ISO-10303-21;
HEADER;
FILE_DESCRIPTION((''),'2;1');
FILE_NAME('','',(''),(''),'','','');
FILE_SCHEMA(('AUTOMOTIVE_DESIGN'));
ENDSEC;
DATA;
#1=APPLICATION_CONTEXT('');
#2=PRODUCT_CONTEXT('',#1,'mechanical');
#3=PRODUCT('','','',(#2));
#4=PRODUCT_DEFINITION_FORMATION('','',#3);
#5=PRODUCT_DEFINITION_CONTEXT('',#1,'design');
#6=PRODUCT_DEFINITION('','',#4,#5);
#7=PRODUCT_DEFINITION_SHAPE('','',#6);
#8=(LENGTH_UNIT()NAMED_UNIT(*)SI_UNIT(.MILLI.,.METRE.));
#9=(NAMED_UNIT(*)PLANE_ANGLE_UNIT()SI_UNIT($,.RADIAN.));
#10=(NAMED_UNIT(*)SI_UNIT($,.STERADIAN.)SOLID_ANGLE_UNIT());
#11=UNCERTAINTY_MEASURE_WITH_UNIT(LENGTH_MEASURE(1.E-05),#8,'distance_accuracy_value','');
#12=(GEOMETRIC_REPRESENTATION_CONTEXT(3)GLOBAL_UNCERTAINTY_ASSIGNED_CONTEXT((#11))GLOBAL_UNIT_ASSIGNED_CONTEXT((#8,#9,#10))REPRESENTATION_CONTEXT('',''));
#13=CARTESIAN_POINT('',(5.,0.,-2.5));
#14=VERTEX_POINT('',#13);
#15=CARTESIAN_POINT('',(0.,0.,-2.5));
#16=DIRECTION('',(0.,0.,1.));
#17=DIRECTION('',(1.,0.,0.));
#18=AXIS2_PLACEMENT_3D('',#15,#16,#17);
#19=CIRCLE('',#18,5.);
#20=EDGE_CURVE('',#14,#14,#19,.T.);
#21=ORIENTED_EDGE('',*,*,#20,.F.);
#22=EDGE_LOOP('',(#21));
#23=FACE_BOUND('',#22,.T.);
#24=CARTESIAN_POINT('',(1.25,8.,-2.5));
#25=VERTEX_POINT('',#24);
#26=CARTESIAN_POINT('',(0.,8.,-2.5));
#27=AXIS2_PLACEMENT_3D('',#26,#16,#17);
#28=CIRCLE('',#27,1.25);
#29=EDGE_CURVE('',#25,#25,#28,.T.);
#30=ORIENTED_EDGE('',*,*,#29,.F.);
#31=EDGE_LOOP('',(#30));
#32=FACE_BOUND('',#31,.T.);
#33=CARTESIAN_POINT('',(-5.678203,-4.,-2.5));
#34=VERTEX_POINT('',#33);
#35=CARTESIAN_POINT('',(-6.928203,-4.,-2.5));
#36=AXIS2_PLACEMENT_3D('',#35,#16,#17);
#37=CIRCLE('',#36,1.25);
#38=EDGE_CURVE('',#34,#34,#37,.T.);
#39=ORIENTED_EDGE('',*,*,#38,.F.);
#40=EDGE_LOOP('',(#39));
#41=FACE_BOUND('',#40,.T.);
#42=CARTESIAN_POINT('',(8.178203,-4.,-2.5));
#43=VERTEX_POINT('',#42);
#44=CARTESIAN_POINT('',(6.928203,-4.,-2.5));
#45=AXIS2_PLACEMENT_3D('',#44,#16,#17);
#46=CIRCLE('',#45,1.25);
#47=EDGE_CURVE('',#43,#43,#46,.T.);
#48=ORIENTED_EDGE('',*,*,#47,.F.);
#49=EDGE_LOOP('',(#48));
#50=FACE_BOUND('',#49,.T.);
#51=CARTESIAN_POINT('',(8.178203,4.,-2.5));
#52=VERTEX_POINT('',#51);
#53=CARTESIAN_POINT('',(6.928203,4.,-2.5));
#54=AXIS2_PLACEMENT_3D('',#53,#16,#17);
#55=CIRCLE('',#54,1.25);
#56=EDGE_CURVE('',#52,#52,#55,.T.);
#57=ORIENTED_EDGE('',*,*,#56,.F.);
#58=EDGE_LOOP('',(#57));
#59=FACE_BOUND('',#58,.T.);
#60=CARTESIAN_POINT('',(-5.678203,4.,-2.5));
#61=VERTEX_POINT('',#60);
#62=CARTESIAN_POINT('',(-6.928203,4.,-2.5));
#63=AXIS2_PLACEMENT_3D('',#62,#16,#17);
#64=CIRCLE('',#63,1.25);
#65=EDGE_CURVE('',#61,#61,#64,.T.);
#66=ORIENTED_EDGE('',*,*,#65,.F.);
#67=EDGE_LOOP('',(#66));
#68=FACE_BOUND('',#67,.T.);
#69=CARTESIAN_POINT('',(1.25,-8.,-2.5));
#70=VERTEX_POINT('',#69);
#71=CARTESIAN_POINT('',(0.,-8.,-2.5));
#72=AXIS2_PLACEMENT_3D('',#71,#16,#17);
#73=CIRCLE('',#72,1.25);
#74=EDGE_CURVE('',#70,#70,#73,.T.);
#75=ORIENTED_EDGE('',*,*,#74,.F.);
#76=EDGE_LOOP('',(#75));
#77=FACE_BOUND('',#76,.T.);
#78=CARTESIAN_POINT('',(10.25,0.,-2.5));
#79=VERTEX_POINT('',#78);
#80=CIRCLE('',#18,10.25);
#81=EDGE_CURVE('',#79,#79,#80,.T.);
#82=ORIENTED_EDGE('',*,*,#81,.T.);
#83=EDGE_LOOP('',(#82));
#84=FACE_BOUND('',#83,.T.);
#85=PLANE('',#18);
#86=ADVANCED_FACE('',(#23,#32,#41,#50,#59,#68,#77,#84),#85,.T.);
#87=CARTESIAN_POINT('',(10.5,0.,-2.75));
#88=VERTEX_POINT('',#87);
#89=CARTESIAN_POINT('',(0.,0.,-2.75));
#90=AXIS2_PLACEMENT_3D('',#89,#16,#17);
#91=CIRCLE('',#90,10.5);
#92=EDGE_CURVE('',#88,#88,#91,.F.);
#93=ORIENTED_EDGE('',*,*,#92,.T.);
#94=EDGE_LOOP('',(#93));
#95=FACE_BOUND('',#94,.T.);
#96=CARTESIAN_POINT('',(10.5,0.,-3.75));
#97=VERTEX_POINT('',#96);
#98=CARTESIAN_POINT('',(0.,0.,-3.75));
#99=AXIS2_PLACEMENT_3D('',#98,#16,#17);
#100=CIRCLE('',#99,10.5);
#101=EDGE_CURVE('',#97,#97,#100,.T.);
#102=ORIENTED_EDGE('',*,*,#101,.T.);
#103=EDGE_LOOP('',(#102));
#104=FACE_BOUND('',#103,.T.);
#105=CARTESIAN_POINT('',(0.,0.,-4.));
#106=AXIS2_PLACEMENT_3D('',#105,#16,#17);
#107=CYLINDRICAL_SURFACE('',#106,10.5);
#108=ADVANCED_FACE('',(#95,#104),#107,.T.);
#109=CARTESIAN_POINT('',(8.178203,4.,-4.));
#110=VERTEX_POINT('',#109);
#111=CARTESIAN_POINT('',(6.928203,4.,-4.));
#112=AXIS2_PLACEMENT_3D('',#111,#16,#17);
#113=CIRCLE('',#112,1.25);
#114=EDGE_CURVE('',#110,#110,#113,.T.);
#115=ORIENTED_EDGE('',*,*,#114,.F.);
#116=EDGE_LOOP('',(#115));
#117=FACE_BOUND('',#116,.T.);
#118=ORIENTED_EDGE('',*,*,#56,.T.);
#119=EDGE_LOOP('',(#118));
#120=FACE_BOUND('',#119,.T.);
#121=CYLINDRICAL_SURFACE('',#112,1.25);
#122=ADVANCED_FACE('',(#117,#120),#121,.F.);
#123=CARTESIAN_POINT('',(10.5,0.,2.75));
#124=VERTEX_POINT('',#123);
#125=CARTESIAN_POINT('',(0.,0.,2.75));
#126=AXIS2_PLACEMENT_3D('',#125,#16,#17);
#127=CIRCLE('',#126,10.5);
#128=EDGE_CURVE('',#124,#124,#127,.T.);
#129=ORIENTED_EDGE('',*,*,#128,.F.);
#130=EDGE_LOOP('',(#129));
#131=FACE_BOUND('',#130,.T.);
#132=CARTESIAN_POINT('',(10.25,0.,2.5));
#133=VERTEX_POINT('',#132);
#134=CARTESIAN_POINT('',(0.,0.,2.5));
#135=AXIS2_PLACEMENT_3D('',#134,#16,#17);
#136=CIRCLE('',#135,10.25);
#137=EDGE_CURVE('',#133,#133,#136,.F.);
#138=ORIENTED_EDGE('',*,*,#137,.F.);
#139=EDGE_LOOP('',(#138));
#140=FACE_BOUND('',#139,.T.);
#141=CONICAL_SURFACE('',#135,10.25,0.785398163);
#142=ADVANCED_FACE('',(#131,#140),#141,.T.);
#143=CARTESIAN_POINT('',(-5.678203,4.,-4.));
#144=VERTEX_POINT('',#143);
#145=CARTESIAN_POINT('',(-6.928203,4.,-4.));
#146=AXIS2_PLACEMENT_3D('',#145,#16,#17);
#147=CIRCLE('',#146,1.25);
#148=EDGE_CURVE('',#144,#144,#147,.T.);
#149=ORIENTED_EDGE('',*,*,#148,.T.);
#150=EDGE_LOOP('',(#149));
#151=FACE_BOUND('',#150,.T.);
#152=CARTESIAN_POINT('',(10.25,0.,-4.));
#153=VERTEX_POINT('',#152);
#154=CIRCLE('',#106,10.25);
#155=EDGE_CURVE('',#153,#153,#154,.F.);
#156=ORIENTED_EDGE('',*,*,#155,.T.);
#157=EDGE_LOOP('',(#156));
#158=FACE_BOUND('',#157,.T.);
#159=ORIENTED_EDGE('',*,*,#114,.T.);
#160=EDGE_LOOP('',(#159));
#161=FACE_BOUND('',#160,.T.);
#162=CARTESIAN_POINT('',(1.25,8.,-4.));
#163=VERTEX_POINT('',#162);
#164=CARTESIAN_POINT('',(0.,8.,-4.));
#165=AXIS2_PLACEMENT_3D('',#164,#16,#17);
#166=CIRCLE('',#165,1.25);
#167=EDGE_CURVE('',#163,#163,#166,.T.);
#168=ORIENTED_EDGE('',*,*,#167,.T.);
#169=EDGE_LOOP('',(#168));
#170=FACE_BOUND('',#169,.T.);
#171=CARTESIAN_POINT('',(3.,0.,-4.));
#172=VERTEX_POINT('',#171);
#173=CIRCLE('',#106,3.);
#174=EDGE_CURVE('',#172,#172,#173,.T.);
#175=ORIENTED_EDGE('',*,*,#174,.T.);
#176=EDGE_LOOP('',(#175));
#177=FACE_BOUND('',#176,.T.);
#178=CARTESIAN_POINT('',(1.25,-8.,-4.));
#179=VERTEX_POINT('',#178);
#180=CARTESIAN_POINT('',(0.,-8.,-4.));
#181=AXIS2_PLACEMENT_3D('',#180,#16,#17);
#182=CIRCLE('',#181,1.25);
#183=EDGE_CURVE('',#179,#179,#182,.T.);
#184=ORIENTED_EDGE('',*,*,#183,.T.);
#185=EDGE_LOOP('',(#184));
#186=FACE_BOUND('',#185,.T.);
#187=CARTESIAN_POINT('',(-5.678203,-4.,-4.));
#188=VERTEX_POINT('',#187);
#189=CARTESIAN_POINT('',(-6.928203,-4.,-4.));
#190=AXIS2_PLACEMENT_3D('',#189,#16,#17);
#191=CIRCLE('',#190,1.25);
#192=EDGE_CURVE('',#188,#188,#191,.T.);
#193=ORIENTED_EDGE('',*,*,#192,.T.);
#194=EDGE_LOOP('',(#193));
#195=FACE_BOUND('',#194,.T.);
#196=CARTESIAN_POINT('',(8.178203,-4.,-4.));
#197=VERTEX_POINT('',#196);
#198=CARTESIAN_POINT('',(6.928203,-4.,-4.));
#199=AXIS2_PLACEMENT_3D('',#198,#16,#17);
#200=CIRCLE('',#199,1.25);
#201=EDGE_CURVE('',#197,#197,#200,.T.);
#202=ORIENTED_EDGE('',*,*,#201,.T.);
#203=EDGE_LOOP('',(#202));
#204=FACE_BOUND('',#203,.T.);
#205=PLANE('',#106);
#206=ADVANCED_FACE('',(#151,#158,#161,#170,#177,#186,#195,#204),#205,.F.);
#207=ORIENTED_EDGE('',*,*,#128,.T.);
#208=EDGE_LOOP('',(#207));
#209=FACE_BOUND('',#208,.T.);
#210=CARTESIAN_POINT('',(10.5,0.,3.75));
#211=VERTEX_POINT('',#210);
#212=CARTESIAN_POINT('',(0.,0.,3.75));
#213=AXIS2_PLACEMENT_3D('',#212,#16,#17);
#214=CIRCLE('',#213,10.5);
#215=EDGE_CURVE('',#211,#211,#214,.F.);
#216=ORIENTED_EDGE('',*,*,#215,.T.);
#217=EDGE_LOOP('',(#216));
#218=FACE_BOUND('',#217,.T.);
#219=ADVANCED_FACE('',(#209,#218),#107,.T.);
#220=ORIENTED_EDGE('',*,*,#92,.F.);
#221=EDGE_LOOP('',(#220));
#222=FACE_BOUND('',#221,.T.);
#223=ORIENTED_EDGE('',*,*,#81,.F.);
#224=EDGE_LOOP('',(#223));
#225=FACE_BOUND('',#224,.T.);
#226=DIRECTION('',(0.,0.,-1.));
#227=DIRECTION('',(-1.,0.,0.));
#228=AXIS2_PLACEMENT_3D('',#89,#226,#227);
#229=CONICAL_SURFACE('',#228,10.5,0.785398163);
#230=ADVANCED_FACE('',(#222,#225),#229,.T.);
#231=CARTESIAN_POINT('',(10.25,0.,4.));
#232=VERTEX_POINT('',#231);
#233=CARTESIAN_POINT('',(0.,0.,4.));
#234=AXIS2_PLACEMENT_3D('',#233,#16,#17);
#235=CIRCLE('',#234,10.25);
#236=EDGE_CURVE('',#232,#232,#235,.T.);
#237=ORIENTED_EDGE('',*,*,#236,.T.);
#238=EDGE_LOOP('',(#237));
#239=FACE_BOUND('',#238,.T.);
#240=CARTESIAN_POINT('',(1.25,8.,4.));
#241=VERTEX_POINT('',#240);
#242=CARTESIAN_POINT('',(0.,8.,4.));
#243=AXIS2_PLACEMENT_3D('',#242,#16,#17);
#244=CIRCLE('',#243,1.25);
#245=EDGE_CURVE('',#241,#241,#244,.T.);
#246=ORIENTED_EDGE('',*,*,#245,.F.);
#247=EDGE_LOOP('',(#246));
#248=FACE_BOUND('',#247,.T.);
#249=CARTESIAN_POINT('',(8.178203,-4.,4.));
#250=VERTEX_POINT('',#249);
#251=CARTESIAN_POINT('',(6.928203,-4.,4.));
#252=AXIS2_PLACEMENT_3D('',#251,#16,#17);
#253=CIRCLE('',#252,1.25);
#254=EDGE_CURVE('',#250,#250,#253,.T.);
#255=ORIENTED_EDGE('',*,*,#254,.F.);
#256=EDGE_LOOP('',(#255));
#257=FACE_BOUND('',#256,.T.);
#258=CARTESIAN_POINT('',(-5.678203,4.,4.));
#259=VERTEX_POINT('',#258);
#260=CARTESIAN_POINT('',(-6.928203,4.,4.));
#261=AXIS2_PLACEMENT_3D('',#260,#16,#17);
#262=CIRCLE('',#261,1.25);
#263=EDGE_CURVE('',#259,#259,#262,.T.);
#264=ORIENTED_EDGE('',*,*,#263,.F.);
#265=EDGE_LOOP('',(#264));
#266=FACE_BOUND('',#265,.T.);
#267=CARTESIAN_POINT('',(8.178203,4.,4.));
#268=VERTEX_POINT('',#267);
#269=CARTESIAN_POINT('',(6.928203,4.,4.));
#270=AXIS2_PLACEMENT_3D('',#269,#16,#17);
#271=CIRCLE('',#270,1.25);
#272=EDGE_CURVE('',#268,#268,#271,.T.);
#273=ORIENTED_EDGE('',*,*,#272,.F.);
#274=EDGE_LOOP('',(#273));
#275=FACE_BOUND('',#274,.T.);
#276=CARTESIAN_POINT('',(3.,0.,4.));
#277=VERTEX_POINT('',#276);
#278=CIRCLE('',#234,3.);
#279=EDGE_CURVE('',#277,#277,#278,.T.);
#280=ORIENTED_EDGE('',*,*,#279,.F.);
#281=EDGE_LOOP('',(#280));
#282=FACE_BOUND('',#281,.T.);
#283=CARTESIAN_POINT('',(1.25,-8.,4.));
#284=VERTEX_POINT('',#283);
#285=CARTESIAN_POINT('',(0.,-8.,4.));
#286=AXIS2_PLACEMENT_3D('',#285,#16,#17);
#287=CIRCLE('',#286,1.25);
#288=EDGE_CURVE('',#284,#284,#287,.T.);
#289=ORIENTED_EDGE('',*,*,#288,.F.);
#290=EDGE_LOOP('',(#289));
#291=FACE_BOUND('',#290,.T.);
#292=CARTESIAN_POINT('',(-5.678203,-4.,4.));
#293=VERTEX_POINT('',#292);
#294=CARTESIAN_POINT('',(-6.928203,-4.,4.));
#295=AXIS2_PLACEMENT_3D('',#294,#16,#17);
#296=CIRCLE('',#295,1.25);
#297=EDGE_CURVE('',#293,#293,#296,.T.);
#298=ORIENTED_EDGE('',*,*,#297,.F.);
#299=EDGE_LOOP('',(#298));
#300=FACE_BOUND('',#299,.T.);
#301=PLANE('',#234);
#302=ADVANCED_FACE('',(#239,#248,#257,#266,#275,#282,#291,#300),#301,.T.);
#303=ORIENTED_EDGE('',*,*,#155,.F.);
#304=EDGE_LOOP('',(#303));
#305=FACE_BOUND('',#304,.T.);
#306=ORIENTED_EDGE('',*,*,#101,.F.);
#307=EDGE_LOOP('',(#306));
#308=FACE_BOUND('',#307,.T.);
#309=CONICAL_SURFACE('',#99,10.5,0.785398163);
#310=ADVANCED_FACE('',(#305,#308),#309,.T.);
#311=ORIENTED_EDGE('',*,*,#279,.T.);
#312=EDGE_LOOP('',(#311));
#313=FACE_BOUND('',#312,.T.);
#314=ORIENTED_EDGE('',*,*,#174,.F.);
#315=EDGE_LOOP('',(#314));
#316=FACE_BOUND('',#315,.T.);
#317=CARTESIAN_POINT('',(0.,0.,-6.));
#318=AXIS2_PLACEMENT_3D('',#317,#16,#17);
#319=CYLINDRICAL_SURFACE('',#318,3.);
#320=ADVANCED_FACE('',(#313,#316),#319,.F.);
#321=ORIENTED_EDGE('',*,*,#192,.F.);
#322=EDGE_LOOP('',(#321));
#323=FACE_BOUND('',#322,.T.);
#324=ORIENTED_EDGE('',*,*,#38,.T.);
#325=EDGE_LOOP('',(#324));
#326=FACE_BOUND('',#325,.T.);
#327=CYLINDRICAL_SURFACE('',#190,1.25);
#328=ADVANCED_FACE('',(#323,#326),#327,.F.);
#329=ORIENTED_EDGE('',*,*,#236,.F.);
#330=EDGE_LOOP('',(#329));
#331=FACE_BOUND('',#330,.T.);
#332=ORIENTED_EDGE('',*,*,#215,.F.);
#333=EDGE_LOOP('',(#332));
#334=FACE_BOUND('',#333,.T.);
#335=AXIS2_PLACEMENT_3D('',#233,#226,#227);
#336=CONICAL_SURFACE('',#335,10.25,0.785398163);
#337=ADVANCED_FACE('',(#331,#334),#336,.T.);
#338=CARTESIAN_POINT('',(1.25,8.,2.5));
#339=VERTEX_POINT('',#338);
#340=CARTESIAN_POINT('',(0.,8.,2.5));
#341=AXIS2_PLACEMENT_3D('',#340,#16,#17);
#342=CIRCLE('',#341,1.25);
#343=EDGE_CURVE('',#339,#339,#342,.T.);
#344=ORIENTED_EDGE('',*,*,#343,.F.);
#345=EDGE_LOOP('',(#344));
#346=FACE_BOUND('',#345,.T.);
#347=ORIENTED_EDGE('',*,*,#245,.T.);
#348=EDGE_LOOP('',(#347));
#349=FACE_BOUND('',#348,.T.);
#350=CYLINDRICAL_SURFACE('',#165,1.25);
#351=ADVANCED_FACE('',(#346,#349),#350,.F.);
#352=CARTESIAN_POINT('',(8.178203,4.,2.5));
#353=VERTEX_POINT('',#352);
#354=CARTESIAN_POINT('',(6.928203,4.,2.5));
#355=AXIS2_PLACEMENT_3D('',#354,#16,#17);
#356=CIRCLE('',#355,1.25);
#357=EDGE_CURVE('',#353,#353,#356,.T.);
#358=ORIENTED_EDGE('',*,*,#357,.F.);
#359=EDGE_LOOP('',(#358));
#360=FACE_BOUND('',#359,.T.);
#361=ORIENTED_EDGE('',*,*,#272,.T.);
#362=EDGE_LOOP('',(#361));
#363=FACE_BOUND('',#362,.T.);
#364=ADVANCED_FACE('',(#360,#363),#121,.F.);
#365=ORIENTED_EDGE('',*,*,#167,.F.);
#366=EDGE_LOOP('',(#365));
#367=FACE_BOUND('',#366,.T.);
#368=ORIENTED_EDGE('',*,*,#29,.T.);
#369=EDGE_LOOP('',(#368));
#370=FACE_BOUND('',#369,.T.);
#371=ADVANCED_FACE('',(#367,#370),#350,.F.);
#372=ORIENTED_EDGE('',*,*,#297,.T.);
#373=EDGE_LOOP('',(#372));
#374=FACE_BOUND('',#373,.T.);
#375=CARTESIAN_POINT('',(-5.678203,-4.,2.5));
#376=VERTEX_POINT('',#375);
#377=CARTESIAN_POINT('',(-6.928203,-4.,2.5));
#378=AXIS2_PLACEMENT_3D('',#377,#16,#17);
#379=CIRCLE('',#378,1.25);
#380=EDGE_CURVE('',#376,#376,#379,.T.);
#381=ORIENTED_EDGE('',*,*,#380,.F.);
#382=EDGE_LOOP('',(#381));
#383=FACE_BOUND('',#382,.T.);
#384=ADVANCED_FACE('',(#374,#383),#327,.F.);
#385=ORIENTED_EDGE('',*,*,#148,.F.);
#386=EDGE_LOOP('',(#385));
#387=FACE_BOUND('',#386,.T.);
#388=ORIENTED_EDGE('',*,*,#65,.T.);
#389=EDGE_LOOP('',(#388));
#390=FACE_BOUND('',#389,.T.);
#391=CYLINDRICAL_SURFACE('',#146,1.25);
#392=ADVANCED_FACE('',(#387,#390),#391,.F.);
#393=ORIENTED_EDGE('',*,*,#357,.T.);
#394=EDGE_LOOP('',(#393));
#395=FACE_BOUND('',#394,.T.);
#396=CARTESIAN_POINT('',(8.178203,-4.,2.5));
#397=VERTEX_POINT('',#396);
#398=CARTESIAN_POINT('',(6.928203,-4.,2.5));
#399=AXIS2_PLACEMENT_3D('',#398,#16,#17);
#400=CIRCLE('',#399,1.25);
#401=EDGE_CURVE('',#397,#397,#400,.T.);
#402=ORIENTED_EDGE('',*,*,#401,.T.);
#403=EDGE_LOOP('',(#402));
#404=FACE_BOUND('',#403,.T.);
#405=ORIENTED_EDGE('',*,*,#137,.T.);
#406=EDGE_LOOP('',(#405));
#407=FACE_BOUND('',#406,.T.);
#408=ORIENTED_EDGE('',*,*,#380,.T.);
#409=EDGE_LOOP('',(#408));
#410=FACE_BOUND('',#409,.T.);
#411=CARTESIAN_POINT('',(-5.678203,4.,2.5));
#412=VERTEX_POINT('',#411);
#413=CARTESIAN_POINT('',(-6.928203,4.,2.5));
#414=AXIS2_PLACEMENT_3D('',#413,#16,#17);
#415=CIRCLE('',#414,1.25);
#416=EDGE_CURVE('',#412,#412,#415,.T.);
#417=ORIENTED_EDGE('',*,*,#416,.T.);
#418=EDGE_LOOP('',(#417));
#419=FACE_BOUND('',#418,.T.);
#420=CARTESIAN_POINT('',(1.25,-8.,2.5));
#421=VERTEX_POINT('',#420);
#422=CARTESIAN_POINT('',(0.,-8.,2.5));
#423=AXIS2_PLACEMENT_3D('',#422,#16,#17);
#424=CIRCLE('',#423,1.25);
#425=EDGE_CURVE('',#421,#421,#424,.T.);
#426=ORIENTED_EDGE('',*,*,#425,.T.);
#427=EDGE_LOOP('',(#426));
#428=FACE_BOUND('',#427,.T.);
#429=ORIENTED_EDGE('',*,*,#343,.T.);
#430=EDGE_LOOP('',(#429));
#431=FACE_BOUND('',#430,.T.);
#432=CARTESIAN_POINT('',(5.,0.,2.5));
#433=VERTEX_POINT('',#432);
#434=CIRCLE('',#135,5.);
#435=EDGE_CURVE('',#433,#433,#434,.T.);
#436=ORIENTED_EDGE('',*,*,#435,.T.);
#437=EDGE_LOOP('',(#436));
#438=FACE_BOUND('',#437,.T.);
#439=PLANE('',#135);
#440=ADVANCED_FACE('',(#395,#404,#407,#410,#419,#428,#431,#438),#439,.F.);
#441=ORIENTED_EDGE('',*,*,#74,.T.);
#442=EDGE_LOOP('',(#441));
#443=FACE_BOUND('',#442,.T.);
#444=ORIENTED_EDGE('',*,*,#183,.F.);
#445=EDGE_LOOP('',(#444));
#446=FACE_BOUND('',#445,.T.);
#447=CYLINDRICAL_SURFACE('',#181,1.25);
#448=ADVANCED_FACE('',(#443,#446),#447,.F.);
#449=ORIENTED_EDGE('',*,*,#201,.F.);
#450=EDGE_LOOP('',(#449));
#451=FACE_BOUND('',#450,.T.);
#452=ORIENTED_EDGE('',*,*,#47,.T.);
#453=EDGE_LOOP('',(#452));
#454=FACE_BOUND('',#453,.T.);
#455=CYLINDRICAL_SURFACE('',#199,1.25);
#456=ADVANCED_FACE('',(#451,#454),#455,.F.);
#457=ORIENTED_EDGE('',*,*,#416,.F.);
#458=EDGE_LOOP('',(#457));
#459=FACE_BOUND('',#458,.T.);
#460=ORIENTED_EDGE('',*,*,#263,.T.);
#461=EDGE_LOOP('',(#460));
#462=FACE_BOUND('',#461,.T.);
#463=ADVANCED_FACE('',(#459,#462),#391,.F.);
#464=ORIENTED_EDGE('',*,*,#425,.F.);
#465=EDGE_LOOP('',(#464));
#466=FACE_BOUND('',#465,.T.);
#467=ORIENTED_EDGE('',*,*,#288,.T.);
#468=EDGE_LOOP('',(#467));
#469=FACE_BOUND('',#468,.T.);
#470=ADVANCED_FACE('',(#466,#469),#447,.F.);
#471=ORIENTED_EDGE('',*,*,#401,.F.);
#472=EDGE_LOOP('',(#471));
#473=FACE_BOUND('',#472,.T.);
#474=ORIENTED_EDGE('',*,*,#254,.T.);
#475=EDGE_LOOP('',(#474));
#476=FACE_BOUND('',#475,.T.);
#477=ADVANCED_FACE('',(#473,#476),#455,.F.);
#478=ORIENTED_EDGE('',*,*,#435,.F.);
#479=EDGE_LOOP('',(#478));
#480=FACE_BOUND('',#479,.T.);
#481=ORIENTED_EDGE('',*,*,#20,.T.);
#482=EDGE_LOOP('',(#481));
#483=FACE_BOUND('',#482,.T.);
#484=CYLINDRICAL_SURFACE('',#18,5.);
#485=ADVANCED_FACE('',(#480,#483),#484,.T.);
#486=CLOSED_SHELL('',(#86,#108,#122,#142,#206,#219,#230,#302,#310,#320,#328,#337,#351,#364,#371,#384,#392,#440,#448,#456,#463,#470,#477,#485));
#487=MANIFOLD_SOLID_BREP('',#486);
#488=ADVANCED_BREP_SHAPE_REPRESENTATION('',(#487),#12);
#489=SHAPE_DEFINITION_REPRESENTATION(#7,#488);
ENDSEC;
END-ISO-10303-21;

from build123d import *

# Parameters (mm, degrees)
SKETCH1_R                = 10.5
BOSS_EXTRUDE1_DEPTH      = 4
BOSS_EXTRUDE1_DEPTH_BACK = 4
SKETCH2_R                = 3
CUT_EXTRUDE1_DEPTH       = 10
CHAMFER1_SIZE            = 0.25
CHAMFER2_SIZE            = 0.25
CUT_EXTRUDE2_START       = -1.5
SKETCH3_OUTSIDE_W        = 29.152
SKETCH3_OUTSIDE_H        = 29.152
SKETCH3_OUTSIDE_R        = 5
CUT_EXTRUDE2_DEPTH       = 5
CHAMFER3_SIZE            = 0.25
SKETCH4_R                = 1.25
CUT_EXTRUDE3_DEPTH       = 1
CUT_EXTRUDE3_DEPTH_BACK  = 9


with BuildPart() as part:
    # Sketch1 → Boss-Extrude1 (new body, two sides)
    with BuildSketch(Plane.XY) as boss_extrude1_sk:
        Circle(SKETCH1_R)
    extrude(amount=BOSS_EXTRUDE1_DEPTH)
    extrude(boss_extrude1_sk.sketch, amount=-BOSS_EXTRUDE1_DEPTH_BACK)

    # Sketch2 → Cut-Extrude1 (cut)
    with BuildSketch(Plane.XY.offset(4)):
        Circle(SKETCH2_R)
    extrude(amount=-CUT_EXTRUDE1_DEPTH, mode=Mode.SUBTRACT)

    # Chamfer1
    chamfer1_edges = [part.edges().sort_by_distance(p)[0] for p in [
        (-10.5, 0, 4),
    ]]
    chamfer(chamfer1_edges, length=CHAMFER1_SIZE)

    # Chamfer2
    chamfer2_edges = [part.edges().sort_by_distance(p)[0] for p in [
        (-10.5, 0, -4),
    ]]
    chamfer(chamfer2_edges, length=CHAMFER2_SIZE)

    # Sketch3 outside → Cut-Extrude2 (cut)
    with BuildSketch(Plane.XY.offset(4).offset(CUT_EXTRUDE2_START)):
        Rectangle(SKETCH3_OUTSIDE_W, SKETCH3_OUTSIDE_H)
        Circle(SKETCH3_OUTSIDE_R, mode=Mode.SUBTRACT)
    extrude(amount=-CUT_EXTRUDE2_DEPTH, mode=Mode.SUBTRACT)

    # Chamfer3
    chamfer3_edges = [part.edges().sort_by_distance(p)[0] for p in [
        (-10.5, 0, 2.5),
        (-10.5, 0, -2.5),
    ]]
    chamfer(chamfer3_edges, length=CHAMFER3_SIZE)

    # Sketch4 → Cut-Extrude3 (cut, two sides)
    with BuildSketch(Plane.XY.offset(4)) as cut_extrude3_sk:
        with Locations((0, 8)):
            Circle(SKETCH4_R)
        with Locations((6.92820323, 4)):
            Circle(SKETCH4_R)
        with Locations((6.92820323, -4)):
            Circle(SKETCH4_R)
        with Locations((0, -8)):
            Circle(SKETCH4_R)
        with Locations((-6.92820323, -4)):
            Circle(SKETCH4_R)
        with Locations((-6.92820323, 4)):
            Circle(SKETCH4_R)
    extrude(amount=CUT_EXTRUDE3_DEPTH, mode=Mode.SUBTRACT)
    extrude(cut_extrude3_sk.sketch, amount=-CUT_EXTRUDE3_DEPTH_BACK, mode=Mode.SUBTRACT)


solid = part.part
